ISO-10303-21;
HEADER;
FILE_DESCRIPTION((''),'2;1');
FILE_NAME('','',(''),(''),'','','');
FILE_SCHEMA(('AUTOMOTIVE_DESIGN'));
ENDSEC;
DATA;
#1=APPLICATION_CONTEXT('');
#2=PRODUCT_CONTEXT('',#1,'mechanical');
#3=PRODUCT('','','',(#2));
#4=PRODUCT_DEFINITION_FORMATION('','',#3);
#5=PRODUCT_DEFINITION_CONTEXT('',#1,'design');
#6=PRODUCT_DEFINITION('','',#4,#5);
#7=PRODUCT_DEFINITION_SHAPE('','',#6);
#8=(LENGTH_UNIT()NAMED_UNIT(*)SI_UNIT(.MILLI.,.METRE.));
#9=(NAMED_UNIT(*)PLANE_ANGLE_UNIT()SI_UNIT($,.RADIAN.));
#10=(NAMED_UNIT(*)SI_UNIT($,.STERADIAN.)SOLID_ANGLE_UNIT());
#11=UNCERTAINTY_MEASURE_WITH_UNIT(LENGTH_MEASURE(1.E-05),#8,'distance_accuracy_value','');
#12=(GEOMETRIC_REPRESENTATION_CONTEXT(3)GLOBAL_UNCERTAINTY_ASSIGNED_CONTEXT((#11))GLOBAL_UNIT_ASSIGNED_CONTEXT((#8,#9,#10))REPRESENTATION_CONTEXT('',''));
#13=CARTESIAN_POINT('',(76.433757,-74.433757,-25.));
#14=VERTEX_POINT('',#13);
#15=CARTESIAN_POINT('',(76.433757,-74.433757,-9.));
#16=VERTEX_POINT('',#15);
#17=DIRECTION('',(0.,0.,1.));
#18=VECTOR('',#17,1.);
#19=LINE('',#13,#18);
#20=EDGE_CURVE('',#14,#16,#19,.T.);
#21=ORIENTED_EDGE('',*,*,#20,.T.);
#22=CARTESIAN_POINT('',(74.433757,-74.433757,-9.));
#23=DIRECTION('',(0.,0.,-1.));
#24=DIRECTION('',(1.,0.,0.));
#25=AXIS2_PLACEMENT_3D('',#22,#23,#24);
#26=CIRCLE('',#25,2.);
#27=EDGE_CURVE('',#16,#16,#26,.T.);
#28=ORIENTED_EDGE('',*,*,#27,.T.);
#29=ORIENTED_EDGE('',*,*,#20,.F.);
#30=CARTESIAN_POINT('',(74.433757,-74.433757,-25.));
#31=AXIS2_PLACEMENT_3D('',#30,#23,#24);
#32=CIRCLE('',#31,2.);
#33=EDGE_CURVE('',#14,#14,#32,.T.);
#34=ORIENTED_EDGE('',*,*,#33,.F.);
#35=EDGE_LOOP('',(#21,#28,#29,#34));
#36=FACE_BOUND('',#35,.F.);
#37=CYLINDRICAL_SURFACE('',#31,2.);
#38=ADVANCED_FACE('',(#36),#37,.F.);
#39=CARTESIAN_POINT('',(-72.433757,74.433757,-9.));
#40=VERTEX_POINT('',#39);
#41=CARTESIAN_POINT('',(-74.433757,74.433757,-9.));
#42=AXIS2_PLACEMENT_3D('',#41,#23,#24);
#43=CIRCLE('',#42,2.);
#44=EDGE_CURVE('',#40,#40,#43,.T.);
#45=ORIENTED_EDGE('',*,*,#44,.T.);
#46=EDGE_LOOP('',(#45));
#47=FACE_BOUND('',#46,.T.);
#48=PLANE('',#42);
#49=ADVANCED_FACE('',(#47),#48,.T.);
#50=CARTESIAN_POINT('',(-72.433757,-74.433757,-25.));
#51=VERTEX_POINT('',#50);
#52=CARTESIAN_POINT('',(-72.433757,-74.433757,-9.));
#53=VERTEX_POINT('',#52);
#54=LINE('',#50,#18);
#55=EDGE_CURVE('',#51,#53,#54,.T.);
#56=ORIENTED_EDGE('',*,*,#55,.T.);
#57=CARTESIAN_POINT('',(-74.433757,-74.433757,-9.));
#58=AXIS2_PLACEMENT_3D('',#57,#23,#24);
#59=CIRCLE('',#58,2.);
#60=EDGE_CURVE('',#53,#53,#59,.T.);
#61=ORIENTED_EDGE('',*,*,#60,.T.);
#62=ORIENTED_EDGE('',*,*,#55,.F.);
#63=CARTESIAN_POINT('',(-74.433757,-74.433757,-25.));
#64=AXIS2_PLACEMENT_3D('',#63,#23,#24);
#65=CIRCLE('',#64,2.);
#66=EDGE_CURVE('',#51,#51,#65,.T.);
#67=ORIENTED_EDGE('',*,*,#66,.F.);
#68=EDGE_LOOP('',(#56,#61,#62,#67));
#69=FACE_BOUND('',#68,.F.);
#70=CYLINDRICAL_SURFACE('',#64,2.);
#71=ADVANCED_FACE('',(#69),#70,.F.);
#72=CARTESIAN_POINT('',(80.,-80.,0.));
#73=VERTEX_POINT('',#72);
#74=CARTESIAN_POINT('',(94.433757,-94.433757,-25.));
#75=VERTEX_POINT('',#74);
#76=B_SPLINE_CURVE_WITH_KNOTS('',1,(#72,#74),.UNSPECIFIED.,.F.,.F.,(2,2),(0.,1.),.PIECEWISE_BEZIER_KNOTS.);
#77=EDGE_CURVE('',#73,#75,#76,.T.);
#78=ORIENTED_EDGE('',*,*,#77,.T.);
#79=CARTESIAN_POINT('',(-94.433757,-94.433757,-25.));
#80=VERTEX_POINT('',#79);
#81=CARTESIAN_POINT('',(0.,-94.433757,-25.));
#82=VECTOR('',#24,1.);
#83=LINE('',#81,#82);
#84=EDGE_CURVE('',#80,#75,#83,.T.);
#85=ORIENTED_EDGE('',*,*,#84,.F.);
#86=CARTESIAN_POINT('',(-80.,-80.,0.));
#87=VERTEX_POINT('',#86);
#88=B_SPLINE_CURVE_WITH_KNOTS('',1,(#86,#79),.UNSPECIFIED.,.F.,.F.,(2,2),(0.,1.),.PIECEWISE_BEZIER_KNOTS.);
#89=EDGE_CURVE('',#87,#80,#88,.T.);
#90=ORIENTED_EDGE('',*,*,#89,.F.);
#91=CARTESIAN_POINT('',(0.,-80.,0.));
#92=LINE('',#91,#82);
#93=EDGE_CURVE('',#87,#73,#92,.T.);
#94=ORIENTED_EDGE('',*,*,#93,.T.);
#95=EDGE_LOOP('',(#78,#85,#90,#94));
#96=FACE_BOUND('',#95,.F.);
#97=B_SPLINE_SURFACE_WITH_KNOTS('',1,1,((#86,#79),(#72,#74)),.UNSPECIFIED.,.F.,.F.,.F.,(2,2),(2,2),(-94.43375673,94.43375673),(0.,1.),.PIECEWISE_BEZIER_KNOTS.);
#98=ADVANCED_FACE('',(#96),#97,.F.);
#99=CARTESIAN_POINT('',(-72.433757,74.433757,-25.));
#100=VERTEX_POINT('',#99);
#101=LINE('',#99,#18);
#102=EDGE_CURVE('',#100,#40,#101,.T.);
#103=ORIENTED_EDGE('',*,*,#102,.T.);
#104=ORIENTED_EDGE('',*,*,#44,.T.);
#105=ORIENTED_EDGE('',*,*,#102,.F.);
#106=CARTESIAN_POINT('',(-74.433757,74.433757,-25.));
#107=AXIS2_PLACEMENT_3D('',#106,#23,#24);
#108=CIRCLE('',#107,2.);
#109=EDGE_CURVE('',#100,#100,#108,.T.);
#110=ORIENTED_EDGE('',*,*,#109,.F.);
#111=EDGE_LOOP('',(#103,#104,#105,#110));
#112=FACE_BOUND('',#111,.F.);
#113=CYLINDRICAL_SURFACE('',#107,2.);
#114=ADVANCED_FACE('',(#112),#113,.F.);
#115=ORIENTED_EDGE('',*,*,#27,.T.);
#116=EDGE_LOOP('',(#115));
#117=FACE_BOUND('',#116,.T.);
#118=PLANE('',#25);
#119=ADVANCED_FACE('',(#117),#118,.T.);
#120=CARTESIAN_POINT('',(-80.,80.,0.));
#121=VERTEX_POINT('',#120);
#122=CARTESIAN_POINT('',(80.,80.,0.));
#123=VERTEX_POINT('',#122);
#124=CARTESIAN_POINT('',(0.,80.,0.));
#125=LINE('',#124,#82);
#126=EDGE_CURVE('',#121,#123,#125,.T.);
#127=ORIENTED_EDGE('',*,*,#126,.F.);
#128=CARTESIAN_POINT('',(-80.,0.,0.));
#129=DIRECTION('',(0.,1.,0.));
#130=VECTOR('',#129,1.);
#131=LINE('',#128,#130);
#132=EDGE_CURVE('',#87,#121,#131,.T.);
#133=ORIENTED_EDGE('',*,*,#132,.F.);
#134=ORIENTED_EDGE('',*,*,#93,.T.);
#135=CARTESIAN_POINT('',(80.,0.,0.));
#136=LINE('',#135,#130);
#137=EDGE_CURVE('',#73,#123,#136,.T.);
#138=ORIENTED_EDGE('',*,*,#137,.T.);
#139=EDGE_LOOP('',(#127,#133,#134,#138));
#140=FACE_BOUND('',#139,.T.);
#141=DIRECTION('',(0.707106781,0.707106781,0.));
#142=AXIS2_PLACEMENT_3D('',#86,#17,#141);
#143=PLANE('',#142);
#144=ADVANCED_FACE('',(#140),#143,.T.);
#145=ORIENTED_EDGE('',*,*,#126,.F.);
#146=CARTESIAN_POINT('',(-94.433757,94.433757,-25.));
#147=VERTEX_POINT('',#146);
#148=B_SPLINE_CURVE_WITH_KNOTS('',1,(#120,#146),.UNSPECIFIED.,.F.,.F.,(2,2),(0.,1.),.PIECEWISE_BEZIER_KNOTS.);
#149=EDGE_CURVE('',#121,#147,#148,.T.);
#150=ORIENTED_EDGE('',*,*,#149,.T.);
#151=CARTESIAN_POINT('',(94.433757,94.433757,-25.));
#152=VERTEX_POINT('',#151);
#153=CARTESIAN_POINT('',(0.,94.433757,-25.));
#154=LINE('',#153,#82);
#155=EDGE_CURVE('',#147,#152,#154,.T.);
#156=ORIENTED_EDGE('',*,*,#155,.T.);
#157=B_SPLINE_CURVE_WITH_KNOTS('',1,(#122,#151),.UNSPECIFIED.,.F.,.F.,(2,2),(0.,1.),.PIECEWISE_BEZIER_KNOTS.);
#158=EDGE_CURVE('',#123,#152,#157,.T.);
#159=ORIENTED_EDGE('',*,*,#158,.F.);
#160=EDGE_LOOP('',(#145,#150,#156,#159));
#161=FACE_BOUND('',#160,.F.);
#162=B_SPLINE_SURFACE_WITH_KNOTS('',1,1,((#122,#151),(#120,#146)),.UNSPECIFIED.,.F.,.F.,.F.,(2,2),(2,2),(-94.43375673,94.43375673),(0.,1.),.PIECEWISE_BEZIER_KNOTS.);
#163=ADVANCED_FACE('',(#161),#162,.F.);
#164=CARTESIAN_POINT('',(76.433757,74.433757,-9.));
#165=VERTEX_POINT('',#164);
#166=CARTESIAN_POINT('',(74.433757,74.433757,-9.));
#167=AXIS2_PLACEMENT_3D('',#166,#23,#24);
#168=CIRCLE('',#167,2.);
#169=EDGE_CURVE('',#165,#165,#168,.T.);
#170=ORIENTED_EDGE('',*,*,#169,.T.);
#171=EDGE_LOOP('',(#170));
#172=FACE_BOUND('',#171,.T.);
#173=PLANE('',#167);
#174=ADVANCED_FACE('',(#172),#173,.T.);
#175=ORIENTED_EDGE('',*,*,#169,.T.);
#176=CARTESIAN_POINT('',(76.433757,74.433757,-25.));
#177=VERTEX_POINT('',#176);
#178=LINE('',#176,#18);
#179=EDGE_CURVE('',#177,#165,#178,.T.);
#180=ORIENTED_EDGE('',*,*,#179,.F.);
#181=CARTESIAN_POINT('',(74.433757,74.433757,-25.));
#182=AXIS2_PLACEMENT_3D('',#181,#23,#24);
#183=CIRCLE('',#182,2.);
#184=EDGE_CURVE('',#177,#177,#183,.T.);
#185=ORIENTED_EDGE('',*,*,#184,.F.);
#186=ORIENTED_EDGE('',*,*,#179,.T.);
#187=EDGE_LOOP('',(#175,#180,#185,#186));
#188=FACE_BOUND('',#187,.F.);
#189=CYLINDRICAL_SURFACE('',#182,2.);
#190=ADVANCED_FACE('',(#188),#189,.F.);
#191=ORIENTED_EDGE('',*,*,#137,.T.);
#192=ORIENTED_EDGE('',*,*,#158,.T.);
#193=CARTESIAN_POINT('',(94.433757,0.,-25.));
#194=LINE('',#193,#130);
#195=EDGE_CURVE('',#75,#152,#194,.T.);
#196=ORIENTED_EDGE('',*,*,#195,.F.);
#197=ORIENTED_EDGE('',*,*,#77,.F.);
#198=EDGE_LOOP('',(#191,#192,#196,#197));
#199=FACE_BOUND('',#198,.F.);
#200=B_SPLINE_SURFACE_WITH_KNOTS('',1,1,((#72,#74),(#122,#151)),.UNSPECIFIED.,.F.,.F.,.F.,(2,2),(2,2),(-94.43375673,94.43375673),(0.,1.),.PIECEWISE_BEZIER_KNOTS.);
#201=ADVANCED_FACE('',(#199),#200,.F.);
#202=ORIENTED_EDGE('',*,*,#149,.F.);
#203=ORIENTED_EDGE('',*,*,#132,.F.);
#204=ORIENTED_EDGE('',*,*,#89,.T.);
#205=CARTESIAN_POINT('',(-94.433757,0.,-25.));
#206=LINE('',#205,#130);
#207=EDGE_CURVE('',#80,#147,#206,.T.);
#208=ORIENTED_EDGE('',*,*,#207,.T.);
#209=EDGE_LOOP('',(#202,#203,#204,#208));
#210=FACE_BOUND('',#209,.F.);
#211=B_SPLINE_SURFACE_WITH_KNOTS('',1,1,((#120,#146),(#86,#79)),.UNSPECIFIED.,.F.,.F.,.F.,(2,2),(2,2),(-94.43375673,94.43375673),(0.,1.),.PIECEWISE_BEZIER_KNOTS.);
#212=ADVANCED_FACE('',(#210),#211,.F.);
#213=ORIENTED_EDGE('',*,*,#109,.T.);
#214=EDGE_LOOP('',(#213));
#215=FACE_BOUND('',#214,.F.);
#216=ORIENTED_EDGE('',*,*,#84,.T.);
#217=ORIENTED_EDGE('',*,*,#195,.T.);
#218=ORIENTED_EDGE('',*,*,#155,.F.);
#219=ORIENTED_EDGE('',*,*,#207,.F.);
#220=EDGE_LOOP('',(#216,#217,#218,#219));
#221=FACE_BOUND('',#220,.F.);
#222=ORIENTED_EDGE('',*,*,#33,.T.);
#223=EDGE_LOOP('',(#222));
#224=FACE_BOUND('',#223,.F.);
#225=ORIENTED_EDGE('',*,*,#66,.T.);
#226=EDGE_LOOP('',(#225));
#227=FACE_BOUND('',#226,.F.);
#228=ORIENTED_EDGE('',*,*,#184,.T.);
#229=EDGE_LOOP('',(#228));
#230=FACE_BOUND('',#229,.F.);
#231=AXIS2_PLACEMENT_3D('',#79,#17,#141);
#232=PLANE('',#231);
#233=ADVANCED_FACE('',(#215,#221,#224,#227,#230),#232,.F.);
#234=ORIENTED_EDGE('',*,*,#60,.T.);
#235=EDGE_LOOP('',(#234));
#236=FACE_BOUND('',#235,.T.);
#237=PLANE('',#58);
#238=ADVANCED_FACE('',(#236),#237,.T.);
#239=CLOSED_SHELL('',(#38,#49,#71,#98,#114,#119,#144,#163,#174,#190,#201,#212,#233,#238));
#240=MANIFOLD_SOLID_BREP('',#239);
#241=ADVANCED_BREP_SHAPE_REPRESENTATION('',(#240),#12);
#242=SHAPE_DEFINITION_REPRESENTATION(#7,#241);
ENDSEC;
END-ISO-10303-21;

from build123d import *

# Parameters (mm, degrees)
F0_W     = 160
F0_H     = 160
F1_DEPTH = 25
F1_TAPER = -30
F2_R     = 2
F3_DEPTH = 16


with BuildPart() as f1:
    # F0 (on Top) → F1 (new body)
    with BuildSketch(Plane.XY):
        Rectangle(F0_W, F0_H)
    extrude(amount=-F1_DEPTH, taper=F1_TAPER)

    # F2 (on face) → F3 (cut)
    with BuildSketch(Plane(origin=(0, 0, -25), x_dir=(1, 0, 0), z_dir=(0, 0, -1))):
        with Locations((-74.4337567297, -74.4337567297)):
            Circle(F2_R)
        with Locations((-74.4337567297, 74.4337567297)):
            Circle(F2_R)
        with Locations((74.4337567297, 74.4337567297)):
            Circle(F2_R)
        with Locations((74.4337567297, -74.4337567297)):
            Circle(F2_R)
    extrude(amount=-F3_DEPTH, mode=Mode.SUBTRACT)


solid = f1.part
